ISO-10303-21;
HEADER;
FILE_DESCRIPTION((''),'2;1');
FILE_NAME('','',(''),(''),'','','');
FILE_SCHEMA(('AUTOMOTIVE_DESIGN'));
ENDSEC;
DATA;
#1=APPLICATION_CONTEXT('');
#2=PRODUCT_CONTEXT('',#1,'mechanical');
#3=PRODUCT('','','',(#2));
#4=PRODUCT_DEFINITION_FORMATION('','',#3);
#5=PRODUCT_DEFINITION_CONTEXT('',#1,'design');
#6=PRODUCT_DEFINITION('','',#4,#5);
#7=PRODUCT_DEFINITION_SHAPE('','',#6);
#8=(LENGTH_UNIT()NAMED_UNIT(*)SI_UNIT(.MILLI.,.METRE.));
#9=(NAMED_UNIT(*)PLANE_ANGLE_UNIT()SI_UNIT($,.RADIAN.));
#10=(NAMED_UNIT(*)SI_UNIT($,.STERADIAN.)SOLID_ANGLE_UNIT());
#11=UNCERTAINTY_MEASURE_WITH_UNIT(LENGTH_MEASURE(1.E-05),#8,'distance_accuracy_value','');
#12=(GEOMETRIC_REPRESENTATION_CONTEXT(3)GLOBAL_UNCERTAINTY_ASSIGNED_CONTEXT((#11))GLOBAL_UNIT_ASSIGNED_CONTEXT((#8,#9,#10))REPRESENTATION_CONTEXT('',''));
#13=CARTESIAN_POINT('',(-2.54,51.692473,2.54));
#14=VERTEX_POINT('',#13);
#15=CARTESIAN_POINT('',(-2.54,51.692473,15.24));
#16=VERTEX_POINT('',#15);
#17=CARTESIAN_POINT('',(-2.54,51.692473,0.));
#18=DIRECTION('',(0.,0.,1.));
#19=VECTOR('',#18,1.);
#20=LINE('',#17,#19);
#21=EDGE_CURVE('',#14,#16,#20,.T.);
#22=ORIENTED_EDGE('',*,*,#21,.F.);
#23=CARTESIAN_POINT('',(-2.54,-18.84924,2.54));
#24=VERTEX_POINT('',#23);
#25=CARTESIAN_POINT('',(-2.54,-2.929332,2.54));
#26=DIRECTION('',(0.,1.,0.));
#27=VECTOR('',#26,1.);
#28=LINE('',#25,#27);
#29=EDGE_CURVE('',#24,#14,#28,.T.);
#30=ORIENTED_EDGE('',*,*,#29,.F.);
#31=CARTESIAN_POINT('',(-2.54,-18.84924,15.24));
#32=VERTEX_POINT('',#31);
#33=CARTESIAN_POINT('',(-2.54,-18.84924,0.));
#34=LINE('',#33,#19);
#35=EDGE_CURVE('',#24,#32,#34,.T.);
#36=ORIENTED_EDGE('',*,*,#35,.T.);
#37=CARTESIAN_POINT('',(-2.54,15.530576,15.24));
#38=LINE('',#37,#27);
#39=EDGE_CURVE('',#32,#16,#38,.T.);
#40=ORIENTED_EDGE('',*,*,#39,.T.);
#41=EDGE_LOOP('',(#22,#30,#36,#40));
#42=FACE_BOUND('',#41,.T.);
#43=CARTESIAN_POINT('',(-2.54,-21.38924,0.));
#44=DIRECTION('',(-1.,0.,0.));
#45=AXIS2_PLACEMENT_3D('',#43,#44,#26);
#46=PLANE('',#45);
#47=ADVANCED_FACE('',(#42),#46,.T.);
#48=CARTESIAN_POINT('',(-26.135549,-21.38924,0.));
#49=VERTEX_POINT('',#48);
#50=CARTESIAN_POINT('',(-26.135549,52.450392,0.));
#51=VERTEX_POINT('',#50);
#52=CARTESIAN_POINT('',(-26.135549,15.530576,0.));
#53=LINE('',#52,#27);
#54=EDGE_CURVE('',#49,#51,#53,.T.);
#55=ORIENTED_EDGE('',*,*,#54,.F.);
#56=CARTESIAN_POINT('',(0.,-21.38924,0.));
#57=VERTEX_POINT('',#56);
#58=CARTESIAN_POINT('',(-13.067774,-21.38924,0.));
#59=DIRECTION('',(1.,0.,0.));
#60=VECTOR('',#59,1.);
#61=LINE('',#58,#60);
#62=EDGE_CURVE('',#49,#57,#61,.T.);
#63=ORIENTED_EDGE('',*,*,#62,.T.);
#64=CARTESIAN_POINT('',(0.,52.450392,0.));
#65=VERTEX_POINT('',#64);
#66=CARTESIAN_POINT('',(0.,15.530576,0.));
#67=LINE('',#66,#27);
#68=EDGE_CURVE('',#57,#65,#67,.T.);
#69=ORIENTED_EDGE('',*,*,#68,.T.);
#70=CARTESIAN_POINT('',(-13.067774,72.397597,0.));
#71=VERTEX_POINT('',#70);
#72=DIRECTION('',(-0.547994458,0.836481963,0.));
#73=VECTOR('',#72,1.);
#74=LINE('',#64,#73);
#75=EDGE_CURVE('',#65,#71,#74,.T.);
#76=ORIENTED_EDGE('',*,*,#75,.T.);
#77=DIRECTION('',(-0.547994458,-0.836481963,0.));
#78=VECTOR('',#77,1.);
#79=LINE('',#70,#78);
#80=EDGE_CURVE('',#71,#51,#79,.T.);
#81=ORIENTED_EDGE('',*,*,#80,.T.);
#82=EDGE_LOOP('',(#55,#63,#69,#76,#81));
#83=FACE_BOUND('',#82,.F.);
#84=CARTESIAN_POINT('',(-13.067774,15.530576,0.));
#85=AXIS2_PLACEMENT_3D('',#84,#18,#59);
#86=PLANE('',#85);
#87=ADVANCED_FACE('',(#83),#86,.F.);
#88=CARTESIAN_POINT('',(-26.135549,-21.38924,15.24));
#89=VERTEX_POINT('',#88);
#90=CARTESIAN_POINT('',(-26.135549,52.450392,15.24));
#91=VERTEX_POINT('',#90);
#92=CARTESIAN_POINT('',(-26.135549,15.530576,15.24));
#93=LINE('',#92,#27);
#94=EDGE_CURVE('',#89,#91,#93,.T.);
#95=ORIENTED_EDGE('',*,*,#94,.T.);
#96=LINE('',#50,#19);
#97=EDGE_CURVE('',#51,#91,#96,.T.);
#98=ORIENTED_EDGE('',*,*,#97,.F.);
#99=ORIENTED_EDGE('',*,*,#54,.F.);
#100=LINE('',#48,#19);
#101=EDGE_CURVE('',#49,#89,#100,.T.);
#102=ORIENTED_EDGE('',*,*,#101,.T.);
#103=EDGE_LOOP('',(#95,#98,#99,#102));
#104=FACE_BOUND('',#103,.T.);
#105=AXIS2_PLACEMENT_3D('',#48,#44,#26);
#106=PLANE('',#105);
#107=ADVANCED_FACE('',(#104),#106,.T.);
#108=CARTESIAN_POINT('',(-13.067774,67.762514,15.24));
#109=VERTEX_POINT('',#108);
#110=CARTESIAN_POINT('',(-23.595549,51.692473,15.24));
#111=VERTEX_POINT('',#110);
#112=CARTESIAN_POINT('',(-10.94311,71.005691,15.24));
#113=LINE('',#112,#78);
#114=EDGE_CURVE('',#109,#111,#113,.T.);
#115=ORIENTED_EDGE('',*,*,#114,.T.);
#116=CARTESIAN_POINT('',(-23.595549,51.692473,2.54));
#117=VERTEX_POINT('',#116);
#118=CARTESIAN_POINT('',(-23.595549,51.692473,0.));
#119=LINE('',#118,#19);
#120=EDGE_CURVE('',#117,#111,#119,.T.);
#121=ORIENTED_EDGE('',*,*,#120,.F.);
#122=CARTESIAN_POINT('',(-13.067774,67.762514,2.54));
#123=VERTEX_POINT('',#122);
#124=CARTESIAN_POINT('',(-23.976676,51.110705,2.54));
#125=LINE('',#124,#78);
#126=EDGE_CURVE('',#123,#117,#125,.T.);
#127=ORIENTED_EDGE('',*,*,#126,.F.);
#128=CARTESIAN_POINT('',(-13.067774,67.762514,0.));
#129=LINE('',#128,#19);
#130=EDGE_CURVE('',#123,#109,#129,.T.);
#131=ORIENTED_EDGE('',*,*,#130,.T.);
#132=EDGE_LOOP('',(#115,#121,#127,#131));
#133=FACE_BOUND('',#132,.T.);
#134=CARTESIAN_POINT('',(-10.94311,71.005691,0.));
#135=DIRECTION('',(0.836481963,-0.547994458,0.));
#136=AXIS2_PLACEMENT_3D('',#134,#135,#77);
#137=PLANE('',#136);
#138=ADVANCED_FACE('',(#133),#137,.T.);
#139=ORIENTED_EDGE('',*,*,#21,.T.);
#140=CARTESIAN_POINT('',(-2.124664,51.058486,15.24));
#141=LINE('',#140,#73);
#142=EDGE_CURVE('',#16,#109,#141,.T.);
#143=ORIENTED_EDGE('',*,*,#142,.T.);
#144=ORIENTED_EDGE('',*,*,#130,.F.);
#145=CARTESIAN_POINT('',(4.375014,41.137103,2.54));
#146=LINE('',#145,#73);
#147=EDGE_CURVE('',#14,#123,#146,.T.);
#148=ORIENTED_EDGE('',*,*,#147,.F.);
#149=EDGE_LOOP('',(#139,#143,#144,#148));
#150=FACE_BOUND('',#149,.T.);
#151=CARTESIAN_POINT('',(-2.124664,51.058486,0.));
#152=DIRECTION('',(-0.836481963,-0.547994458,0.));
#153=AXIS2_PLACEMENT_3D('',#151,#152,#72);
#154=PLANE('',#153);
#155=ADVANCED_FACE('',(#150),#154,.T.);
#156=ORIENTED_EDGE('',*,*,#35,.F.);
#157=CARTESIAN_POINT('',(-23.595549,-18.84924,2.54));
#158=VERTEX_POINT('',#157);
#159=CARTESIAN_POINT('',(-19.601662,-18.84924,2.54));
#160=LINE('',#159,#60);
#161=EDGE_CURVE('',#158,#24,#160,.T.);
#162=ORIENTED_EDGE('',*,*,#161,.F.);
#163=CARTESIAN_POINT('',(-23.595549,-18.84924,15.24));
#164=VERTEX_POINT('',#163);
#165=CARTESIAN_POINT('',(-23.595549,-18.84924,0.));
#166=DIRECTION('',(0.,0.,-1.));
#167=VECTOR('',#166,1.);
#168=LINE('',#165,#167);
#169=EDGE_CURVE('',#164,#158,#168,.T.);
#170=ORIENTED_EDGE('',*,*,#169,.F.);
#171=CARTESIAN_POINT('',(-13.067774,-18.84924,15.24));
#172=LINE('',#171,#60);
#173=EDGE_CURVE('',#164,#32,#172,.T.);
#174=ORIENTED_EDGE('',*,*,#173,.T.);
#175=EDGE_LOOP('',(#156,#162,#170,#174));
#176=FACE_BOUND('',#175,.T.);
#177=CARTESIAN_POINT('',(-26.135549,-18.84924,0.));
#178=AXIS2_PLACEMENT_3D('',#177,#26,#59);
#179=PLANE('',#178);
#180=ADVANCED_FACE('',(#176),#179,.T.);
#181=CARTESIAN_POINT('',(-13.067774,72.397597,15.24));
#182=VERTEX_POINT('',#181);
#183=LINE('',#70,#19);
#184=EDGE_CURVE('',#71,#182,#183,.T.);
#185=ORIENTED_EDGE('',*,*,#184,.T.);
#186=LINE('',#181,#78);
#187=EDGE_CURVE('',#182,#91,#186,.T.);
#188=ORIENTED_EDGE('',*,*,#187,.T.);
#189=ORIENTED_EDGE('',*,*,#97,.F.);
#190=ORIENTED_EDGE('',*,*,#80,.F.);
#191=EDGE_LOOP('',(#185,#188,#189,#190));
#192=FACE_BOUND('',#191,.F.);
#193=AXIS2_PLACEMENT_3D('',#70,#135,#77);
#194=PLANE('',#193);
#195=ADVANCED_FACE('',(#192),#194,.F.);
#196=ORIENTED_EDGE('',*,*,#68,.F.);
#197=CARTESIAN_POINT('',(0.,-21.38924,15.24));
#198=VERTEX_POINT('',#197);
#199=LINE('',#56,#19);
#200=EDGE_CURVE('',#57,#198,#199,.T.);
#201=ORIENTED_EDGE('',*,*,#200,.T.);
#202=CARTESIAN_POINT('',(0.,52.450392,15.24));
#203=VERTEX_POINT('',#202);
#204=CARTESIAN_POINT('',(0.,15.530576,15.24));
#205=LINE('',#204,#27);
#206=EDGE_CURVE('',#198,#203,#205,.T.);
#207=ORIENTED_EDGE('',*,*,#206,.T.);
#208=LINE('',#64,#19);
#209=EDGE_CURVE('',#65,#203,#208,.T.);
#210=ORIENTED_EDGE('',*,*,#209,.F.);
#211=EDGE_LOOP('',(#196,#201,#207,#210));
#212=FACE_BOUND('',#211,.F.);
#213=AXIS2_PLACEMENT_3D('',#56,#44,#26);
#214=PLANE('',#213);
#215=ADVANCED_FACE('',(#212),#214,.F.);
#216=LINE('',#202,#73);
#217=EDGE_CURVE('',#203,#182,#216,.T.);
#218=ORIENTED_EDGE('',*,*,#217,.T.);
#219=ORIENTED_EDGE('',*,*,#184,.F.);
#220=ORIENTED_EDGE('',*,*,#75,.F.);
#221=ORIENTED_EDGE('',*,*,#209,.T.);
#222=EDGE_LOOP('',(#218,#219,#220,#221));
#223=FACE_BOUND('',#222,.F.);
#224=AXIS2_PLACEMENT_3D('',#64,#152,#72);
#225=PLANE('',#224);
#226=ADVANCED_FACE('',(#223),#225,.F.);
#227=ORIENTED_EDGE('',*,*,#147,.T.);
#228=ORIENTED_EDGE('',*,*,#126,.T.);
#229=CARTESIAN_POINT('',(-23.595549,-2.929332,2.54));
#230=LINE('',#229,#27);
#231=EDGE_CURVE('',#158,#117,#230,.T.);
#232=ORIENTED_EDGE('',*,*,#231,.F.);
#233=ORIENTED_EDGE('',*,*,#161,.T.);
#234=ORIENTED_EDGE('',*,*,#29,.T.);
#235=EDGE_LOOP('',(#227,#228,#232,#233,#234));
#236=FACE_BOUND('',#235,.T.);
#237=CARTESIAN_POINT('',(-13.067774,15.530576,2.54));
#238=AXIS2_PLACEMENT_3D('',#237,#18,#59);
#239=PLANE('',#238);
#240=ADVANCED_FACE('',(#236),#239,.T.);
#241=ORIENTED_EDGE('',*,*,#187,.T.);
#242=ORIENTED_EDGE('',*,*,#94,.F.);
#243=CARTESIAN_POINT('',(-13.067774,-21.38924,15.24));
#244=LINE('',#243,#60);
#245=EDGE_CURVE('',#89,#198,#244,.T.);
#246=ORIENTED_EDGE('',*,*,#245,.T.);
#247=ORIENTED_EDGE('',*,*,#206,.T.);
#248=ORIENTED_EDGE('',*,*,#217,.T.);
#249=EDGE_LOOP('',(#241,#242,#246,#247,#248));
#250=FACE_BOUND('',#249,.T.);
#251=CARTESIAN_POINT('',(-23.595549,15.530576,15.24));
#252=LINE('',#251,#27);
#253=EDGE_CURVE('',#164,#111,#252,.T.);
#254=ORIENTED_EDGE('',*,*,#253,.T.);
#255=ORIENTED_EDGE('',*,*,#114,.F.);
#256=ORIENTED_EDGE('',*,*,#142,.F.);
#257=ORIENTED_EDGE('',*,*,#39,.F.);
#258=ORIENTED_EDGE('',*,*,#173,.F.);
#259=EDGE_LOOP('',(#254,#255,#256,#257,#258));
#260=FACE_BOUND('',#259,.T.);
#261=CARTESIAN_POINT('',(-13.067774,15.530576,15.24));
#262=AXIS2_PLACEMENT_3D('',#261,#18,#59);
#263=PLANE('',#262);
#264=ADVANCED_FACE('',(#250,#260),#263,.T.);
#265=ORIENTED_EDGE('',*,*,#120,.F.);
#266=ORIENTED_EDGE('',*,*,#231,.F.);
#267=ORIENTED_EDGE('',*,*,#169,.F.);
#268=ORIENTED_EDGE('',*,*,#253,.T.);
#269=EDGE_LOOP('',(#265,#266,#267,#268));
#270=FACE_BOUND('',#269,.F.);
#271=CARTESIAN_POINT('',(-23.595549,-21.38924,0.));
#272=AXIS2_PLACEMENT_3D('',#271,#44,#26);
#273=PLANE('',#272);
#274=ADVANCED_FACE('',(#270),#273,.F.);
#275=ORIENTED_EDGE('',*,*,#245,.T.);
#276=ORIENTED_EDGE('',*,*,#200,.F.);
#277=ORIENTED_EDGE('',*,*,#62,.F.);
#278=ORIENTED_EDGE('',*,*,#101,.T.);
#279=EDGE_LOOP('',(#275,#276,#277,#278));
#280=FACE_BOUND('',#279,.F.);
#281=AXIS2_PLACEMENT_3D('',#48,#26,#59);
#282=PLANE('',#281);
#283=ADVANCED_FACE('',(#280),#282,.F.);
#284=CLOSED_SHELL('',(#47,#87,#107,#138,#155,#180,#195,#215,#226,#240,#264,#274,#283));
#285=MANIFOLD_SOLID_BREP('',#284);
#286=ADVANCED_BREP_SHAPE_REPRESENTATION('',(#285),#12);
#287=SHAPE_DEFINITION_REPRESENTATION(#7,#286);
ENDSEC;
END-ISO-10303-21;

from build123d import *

# Parameters (mm, degrees)
F0_W     = 26.1355489492
F0_H     = 73.8396327943
F1_DEPTH = 15.24
F2_T     = -2.54


with BuildPart() as f1:
    # F0 (on Top) → F1 (new body)
    with BuildSketch(Plane.XY):
        with Locations((-13.0677744746, 15.5305759981)):
            Rectangle(F0_W, F0_H)
        Polygon((-13.0677744746, 72.3975971341), (-26.1355489492, 52.4503923953), (0, 52.4503923953), align=None)
    extrude(amount=F1_DEPTH)

    # F2
    f2_openings = [f1.faces().sort_by_distance(p)[0] for p in [
        (-13.067774, 20.715184, 15.24),
    ]]
    offset(amount=F2_T, openings=f2_openings)


solid = f1.part
